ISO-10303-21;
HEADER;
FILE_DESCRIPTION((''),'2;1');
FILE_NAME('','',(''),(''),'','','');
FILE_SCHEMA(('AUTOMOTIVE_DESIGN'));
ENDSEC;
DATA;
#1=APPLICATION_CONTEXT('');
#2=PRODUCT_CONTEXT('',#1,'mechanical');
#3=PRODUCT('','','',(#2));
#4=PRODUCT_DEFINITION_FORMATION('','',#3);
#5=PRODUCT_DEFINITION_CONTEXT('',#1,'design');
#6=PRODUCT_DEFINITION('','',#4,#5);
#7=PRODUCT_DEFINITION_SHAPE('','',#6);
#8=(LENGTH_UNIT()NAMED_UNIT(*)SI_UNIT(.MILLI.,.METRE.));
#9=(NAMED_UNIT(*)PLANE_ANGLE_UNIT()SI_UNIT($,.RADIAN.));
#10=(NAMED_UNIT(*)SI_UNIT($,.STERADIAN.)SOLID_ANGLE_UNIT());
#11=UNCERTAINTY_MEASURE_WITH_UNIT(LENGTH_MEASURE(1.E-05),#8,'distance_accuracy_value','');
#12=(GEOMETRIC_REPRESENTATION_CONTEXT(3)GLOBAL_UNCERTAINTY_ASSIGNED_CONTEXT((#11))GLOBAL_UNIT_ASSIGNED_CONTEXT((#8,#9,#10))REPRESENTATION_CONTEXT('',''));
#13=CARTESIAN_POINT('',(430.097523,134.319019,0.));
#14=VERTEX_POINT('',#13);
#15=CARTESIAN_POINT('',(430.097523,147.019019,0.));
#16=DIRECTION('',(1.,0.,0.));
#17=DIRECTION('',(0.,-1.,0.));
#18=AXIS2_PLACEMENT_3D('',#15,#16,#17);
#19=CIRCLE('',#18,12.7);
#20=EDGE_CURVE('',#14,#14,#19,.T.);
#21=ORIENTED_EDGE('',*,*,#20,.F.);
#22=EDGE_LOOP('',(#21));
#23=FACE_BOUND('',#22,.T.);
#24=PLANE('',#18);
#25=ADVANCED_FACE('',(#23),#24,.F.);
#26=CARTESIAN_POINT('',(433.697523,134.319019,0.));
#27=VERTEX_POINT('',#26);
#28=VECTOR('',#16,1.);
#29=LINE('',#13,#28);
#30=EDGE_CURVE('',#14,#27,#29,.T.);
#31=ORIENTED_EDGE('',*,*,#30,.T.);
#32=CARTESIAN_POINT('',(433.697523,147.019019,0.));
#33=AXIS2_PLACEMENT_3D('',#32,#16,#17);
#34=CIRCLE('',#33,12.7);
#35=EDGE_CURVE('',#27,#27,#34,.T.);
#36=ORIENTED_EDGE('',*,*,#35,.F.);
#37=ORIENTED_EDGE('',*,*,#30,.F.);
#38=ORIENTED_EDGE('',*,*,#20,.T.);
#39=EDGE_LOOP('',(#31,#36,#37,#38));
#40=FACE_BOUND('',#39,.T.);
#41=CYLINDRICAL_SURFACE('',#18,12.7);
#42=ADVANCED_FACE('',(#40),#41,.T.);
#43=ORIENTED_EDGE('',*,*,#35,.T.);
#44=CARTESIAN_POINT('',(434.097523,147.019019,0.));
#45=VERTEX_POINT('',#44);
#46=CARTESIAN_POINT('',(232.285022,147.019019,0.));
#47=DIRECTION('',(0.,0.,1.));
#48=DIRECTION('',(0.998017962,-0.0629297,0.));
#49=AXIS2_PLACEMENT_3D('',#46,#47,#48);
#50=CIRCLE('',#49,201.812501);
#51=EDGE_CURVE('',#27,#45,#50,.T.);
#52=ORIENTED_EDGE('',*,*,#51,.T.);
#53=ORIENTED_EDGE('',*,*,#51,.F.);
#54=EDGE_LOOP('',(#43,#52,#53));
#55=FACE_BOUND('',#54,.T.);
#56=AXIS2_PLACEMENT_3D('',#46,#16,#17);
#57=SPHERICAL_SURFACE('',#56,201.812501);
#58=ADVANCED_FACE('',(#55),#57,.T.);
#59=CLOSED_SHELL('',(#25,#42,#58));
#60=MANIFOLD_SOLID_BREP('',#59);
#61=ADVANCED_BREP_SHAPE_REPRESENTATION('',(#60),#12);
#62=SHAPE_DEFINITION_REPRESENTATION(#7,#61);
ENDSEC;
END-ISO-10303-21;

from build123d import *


with BuildPart() as part:
    # 草图1 → 旋转1 (revolve)
    with BuildSketch(Plane.XY, mode=Mode.PRIVATE) as revolve_1_sk:
        with BuildLine():
            Line((430.097522609, 147.01901943), (430.097522609, 159.71901943))
            Line((430.097522609, 159.71901943), (433.697522609, 159.71901943))
            ThreePointArc((433.697522609, 159.71901943), (433.997497821, 153.372168255), (434.097522609, 147.01901943))
            Line((434.097522609, 147.01901943), (430.097522609, 147.01901943))
        make_face()
    revolve(revolve_1_sk.sketch.rotate(Axis((424.467626558, 147.01901943, 0), (1, 0, 0)), 180), axis=Axis((424.467626558, 147.01901943, 0), (1, 0, 0)))  # turned: the seam where the file's is


solid = part.part
